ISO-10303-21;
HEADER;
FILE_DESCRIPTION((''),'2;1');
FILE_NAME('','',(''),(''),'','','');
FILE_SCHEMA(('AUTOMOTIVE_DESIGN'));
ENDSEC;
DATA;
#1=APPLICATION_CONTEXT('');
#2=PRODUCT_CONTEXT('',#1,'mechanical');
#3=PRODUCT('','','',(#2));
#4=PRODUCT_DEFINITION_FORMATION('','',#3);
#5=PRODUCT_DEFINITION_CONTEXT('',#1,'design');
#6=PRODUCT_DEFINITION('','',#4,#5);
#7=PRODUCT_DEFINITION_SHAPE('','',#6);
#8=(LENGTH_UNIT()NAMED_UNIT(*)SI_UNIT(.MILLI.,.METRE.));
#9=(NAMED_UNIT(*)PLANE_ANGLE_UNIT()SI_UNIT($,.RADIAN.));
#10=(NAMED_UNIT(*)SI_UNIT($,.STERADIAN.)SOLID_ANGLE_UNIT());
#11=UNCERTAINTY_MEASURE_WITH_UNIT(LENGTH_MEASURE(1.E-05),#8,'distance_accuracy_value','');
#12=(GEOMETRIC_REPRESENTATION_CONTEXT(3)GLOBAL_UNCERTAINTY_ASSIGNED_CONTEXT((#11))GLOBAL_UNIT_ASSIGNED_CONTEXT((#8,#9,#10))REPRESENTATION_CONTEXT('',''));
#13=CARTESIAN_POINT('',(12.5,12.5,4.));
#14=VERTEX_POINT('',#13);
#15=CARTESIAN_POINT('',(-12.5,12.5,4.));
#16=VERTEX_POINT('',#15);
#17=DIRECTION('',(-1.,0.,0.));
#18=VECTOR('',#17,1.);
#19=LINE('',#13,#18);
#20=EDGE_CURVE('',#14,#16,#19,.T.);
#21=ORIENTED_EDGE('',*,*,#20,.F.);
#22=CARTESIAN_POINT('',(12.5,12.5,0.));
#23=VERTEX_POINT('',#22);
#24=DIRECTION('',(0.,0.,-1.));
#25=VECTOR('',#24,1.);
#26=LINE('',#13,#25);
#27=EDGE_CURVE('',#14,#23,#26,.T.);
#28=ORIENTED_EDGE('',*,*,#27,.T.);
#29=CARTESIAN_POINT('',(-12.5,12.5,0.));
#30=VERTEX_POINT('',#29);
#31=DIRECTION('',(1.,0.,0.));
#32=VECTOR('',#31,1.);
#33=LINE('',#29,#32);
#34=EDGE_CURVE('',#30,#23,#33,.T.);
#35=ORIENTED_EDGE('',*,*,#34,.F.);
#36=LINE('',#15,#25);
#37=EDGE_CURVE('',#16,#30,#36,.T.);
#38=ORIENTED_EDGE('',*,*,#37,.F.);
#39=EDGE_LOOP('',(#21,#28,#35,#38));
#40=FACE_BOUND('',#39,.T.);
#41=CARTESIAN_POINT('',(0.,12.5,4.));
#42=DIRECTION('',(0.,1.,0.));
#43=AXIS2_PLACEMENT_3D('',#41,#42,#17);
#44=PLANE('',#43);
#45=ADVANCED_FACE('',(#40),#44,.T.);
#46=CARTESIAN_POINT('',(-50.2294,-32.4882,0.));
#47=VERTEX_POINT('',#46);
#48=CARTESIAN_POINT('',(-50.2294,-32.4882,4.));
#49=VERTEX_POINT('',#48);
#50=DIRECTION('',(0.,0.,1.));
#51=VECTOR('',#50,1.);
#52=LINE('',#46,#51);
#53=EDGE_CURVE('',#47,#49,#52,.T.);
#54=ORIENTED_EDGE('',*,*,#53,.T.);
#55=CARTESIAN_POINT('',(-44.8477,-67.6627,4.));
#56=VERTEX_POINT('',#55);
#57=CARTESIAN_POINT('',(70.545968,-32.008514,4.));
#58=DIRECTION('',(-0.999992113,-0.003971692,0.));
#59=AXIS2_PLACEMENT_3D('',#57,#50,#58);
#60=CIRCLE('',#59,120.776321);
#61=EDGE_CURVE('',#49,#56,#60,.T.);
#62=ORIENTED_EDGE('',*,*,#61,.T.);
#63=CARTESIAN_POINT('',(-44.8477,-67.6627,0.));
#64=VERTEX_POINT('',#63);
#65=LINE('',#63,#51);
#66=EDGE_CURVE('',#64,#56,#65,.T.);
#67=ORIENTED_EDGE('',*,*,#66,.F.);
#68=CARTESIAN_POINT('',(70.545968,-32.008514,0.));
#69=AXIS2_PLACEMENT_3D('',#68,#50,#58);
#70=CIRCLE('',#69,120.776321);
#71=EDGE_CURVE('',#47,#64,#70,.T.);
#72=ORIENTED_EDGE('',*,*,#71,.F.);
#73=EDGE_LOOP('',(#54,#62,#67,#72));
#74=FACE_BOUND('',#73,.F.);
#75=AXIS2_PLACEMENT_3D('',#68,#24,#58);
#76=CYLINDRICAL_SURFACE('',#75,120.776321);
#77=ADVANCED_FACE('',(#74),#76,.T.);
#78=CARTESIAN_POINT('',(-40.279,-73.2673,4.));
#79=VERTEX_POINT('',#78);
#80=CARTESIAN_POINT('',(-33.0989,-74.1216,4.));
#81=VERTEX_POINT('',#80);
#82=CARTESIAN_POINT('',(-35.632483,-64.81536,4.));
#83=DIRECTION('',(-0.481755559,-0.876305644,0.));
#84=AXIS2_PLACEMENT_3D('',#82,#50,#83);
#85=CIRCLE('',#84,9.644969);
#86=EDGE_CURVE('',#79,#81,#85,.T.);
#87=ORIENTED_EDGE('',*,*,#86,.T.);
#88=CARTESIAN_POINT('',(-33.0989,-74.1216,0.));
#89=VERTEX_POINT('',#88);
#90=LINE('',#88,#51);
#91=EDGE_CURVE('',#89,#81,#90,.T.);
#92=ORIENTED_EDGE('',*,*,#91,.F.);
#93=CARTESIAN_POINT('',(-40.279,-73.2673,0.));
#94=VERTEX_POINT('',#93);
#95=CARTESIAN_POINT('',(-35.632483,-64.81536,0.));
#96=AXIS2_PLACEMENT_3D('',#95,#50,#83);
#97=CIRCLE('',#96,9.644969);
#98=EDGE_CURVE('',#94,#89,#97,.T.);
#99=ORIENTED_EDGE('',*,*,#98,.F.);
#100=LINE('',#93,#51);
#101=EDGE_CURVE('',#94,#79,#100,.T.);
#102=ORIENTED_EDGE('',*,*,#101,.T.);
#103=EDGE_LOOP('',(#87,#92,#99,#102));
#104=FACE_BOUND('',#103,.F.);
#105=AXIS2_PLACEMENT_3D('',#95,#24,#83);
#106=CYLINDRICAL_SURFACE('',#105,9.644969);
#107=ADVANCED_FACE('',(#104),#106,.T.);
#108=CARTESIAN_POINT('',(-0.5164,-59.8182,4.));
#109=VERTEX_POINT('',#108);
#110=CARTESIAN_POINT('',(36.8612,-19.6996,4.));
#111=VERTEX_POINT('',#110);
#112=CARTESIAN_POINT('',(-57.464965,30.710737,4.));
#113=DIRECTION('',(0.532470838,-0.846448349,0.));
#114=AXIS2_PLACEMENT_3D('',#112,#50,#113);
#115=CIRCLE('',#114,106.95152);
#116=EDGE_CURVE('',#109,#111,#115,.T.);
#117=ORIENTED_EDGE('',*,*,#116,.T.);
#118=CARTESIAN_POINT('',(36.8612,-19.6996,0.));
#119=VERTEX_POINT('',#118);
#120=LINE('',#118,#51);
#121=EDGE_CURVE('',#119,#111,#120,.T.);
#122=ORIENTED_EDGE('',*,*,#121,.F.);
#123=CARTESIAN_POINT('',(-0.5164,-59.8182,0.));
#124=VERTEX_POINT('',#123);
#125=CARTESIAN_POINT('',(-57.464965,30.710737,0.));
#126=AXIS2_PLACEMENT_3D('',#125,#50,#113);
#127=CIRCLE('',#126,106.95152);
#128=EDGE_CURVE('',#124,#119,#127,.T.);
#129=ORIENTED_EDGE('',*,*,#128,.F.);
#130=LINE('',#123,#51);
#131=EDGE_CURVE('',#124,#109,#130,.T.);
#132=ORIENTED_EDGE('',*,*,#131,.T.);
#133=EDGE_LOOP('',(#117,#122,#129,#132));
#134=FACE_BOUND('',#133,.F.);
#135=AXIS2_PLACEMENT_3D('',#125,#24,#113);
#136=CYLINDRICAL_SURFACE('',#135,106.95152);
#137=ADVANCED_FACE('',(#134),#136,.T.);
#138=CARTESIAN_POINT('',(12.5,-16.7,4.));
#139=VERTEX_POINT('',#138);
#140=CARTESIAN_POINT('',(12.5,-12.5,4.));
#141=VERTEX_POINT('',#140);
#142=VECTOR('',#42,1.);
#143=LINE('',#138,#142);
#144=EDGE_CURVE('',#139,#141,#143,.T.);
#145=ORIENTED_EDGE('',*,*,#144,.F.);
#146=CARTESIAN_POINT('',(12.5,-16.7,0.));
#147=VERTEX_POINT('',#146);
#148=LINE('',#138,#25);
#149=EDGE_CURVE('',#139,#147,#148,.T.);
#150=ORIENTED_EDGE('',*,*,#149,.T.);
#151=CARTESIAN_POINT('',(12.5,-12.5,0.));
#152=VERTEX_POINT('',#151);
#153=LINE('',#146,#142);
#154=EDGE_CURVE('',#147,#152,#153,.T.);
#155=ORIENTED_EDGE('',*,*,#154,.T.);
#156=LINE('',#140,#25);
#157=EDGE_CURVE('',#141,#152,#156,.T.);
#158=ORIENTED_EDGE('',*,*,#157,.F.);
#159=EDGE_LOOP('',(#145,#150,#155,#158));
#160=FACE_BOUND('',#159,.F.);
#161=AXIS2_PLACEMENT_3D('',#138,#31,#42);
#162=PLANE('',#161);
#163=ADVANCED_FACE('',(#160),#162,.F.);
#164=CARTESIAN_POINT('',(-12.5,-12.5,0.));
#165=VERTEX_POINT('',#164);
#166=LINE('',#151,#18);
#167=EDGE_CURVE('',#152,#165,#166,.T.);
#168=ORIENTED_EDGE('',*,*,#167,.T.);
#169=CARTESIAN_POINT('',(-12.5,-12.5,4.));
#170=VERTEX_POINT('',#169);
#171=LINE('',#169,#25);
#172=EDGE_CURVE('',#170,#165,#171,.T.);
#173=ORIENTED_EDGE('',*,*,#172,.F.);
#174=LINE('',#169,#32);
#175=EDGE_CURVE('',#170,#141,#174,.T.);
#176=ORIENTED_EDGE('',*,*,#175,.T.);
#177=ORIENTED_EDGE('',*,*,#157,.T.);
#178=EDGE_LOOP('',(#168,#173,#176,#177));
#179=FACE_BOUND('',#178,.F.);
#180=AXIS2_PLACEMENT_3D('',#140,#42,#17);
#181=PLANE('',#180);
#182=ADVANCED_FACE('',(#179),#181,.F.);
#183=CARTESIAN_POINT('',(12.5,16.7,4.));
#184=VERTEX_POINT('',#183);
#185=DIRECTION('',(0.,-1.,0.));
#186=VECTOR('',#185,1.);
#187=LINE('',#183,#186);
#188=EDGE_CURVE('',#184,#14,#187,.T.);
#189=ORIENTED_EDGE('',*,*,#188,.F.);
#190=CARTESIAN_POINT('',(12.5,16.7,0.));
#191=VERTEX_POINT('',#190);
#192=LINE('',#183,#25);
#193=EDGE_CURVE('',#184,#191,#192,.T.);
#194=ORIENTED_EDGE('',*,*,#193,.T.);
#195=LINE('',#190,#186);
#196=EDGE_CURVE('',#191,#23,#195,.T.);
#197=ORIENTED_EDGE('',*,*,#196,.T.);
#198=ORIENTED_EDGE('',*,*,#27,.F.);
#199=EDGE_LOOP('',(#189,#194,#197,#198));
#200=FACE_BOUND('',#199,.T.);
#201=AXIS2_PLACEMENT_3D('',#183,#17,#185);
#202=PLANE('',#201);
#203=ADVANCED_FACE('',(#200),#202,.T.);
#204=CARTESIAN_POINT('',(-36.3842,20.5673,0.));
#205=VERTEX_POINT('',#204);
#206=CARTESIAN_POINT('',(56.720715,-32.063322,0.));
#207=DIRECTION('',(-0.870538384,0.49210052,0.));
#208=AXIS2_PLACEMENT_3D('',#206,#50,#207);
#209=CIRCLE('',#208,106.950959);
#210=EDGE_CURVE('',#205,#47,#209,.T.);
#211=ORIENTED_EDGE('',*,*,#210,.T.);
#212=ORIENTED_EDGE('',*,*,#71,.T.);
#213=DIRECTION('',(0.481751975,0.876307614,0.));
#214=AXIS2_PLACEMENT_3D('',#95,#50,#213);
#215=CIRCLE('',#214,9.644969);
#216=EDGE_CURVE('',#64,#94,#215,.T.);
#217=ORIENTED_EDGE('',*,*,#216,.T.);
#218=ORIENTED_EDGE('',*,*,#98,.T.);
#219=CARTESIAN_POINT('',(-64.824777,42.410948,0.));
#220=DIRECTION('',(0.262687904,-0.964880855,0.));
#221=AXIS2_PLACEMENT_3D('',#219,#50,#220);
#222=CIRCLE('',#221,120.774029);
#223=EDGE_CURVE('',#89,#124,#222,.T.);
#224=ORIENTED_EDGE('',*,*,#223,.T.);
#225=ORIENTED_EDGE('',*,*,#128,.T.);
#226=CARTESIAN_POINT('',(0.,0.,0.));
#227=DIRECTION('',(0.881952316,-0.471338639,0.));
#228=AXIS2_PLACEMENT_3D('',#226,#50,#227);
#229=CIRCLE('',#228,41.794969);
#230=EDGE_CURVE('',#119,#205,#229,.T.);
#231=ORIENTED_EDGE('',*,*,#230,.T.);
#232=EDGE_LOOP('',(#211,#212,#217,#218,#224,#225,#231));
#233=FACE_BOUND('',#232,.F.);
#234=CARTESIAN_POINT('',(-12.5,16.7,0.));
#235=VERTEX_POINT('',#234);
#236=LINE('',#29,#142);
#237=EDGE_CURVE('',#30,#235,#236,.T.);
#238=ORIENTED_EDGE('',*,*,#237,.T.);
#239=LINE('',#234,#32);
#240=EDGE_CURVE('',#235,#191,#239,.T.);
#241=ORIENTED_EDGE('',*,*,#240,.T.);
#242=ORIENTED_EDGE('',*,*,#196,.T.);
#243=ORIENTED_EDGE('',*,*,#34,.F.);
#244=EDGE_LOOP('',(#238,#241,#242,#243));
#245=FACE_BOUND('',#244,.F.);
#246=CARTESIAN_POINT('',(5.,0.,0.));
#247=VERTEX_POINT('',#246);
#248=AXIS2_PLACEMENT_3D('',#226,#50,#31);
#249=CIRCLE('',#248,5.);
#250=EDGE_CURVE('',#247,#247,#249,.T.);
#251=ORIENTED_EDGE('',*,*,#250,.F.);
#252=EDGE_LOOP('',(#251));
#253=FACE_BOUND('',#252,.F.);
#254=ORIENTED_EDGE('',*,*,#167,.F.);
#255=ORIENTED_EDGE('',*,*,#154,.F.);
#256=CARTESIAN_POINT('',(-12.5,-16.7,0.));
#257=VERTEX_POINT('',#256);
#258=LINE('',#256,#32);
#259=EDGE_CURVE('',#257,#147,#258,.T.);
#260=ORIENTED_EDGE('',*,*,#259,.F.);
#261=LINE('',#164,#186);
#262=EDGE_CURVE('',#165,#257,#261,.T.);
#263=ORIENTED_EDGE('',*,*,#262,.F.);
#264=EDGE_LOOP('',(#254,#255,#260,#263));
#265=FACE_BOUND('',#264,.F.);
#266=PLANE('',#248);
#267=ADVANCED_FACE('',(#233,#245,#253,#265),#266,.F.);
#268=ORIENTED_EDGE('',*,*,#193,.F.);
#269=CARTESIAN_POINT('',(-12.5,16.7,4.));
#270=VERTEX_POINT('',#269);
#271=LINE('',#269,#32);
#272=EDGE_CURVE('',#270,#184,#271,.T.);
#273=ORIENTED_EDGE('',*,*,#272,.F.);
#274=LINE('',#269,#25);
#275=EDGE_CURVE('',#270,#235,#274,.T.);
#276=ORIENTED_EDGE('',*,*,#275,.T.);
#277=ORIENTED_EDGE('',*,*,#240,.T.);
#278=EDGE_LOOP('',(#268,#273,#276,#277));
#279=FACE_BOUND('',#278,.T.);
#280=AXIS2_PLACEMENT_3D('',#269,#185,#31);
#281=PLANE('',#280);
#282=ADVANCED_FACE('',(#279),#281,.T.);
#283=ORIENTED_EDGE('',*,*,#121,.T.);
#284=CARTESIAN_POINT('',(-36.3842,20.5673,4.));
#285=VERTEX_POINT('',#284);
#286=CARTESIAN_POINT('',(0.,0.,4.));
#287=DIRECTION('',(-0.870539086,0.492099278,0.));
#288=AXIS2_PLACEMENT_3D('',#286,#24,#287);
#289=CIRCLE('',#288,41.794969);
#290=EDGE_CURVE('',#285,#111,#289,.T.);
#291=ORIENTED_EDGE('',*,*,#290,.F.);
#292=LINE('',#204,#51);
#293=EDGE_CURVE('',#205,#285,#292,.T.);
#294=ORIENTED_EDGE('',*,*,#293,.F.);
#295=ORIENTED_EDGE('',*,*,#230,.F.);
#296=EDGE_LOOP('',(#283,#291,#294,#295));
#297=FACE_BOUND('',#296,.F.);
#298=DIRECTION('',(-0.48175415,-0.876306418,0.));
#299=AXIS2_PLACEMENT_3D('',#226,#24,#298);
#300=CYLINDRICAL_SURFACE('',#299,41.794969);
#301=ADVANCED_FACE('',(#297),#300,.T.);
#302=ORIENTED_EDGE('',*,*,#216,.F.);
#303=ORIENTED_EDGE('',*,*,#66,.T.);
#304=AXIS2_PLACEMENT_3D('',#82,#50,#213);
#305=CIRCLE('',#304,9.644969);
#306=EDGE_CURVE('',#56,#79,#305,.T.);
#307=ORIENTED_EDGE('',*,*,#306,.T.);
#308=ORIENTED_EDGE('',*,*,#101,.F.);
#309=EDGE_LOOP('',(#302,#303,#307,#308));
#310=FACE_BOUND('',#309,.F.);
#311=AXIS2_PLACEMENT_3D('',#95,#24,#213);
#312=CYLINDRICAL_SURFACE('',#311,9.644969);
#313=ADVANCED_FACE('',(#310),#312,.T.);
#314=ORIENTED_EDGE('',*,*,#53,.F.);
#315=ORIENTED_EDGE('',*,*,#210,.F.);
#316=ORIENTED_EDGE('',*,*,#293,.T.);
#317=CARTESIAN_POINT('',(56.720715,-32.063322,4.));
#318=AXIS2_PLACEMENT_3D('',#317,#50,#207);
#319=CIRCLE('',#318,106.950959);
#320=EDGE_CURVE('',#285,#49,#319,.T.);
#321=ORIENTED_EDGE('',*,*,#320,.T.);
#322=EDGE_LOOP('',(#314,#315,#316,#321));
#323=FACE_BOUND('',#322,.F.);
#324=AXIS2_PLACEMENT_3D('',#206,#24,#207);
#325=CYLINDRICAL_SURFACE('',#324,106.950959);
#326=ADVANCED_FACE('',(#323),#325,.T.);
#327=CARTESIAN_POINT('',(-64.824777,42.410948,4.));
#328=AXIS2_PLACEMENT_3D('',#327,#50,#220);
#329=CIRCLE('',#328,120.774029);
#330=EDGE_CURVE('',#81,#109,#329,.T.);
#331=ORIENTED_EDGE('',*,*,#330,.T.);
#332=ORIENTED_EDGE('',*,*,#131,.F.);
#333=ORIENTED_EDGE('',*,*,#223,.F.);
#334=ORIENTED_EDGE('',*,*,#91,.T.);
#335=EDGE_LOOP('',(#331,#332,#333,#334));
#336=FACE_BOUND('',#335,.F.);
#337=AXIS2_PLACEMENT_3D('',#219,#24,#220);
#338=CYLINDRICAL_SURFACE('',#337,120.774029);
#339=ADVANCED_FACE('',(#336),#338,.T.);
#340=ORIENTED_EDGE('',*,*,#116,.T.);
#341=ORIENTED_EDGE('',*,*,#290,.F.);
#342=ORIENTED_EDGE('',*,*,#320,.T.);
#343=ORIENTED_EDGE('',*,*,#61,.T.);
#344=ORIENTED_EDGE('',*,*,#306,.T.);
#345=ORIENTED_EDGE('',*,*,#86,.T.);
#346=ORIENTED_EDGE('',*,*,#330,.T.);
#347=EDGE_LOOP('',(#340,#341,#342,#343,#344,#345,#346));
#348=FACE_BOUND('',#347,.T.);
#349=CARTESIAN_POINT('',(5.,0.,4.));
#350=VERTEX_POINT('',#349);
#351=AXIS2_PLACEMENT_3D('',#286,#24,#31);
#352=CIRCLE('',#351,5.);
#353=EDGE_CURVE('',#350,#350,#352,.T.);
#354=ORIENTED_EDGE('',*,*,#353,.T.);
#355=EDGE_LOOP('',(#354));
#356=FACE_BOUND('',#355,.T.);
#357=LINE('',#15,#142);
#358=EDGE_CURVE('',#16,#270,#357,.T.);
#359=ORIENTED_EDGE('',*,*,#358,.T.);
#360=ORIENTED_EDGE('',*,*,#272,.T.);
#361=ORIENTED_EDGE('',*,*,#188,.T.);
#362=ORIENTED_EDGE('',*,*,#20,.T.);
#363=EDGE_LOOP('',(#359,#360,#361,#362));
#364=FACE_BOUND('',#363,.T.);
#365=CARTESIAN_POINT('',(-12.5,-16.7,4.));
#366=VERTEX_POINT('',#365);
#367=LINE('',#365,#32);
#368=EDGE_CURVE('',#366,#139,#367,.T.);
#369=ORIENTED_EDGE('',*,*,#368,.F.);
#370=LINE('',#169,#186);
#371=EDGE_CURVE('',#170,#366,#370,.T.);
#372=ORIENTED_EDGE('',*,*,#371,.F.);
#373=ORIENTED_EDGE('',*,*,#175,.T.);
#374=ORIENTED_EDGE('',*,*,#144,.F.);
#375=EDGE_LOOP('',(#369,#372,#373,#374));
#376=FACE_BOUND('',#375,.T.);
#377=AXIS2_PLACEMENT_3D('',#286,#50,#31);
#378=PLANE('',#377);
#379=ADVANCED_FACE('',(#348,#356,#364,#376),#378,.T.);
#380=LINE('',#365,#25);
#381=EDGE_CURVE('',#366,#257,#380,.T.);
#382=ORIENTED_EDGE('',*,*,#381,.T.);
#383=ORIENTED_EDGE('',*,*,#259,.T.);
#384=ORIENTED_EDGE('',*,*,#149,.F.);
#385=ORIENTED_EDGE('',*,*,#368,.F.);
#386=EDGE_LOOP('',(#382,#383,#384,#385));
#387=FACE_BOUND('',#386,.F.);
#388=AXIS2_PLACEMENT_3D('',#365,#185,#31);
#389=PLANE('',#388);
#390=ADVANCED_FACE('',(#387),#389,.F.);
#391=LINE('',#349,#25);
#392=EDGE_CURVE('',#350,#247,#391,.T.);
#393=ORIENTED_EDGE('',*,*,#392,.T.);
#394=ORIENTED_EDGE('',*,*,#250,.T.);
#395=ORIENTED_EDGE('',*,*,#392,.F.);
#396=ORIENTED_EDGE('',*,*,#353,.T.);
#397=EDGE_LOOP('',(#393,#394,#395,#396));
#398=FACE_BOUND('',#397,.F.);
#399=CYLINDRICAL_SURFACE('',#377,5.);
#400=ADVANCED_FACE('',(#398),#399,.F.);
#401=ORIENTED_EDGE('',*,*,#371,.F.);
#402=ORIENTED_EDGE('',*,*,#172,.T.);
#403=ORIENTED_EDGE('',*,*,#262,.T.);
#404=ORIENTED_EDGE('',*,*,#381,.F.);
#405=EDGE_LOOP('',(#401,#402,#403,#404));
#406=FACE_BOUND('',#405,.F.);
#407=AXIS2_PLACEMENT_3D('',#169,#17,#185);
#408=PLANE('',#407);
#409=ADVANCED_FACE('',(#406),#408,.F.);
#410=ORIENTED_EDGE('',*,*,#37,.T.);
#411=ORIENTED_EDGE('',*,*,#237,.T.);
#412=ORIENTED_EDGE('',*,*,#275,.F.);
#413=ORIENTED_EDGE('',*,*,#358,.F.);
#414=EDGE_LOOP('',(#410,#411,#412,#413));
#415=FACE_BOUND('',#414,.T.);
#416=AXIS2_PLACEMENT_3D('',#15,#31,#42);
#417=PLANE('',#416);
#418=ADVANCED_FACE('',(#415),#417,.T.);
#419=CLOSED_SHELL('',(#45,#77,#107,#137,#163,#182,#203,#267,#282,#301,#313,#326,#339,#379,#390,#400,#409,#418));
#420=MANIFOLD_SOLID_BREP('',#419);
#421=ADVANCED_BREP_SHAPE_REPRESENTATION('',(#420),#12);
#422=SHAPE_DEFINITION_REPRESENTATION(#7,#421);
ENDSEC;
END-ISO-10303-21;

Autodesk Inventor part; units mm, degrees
ref_plane "YZ Plane" through (0, 0, 0) normal (1, 0, 0) x (0, 1, 0)
ref_plane "XZ Plane" through (0, 0, 0) normal (0, 1, 0) x (-1, 0, 0)
ref_plane "XY Plane" through (0, 0, 0) normal (0, 0, 1) x (1, 0, 0)
sketch "Boceto1" plane through (0, 0, 0) normal (0, 0, 1) x (1, 0, 0)
  arc A0 (20.1349, 36.6252) -> (-20.1349, -36.6252) centre (0, 0) ccw
  arc A1 (-30.986, -56.3634) -> (-40.279, -73.2673) centre (-35.6325, -64.8153) ccw
  line L0 (-41.6243, -75.7144) -> (-50.0763, -71.0679)
  line L1 (-36.3842, 20.5673) -> (-50.4708, 28.3115)
  line L2 (-50.4708, 28.3115) -> (-50.0763, -71.0679)
  line L3 (-50.0763, -71.0679) -> (-50.2294, -32.4882)
  arc A2 (-36.3842, 20.5673) -> (-50.2294, -32.4882) centre (56.7214, -32.0636) ccw
  arc A3 (-50.2294, -32.4882) -> (-44.8477, -67.6627) centre (70.5423, -32.0088) ccw
  line L4 (1.5488, 2.8173) -> (20.1349, 36.6252)
  line L5 (-1.5488, -2.8173) -> (-41.6243, -75.7144)
  arc A4 (-20.1349, -36.6252) -> (20.1349, 36.6252) centre (0, 0) ccw
  arc A5 (-40.279, -73.2673) -> (-30.986, -56.3634) centre (-35.6325, -64.8153) ccw
  line L6 (-41.6243, -75.7144) -> (-33.1724, -80.3609)
  line L7 (36.8612, -19.6996) -> (50.9478, -27.4438)
  line L8 (50.9478, -27.4438) -> (-33.1724, -80.3609)
  line L9 (-33.1724, -80.3609) -> (-0.5164, -59.8182)
  arc A6 (-0.5164, -59.8182) -> (36.8612, -19.6996) centre (-57.4651, 30.7109) ccw
  arc A7 (-33.0989, -74.1216) -> (-0.5164, -59.8182) centre (-64.8243, 42.4096) ccw
  dimension "d0" = 83.59
  dimension "d6" = 19.29
  dimension "d7" = 9.645
  dimension "d8" = 16.075
  dimension "d9" = 38.58
extrude "Extrusión2" add sketch "Boceto1" along normal blind 4 contours A4 A0 | A0 L5 A1 A3 A2 | A6 A7 A5 L5 A4 | L5 A1 | A5 L5
sketch "Boceto2" plane through (0, 0, 4) normal (0, 0, 1) x (1, 0, 0)
  line L0 (0, 0) -> (0, 12.5)
  line L1 (0, 12.5) -> (-12.5, 12.5)
  line L2 (-12.5, 12.5) -> (-12.5, 16.7)
  line L3 (-12.5, 16.7) -> (12.5, 16.7)
  line L4 (12.5, 16.7) -> (12.5, 12.5)
  line L5 (12.5, 12.5) -> (0, 12.5)
  line L6 (0, 0) -> (12.5, 0)
  line L7 (0, 0) -> (0, -12.5)
  line L8 (0, -12.5) -> (-12.5, -12.5)
  line L9 (-12.5, -12.5) -> (-12.5, -16.7)
  line L10 (-12.5, -16.7) -> (12.5, -16.7)
  line L11 (12.5, -16.7) -> (12.5, -12.5)
  line L12 (12.5, -12.5) -> (0, -12.5)
  circle A0 centre (0, 0) radius 5
  dimension "d24" = 12.5
  dimension "d25" = 12.5
  dimension "d26" = 4.2
  dimension "d27" = 25
  dimension "d28" = 10
extrude "Extrusión3" cut sketch "Boceto2" against normal blind 4
properties part number "leva00" material "Madera (abedul)"
